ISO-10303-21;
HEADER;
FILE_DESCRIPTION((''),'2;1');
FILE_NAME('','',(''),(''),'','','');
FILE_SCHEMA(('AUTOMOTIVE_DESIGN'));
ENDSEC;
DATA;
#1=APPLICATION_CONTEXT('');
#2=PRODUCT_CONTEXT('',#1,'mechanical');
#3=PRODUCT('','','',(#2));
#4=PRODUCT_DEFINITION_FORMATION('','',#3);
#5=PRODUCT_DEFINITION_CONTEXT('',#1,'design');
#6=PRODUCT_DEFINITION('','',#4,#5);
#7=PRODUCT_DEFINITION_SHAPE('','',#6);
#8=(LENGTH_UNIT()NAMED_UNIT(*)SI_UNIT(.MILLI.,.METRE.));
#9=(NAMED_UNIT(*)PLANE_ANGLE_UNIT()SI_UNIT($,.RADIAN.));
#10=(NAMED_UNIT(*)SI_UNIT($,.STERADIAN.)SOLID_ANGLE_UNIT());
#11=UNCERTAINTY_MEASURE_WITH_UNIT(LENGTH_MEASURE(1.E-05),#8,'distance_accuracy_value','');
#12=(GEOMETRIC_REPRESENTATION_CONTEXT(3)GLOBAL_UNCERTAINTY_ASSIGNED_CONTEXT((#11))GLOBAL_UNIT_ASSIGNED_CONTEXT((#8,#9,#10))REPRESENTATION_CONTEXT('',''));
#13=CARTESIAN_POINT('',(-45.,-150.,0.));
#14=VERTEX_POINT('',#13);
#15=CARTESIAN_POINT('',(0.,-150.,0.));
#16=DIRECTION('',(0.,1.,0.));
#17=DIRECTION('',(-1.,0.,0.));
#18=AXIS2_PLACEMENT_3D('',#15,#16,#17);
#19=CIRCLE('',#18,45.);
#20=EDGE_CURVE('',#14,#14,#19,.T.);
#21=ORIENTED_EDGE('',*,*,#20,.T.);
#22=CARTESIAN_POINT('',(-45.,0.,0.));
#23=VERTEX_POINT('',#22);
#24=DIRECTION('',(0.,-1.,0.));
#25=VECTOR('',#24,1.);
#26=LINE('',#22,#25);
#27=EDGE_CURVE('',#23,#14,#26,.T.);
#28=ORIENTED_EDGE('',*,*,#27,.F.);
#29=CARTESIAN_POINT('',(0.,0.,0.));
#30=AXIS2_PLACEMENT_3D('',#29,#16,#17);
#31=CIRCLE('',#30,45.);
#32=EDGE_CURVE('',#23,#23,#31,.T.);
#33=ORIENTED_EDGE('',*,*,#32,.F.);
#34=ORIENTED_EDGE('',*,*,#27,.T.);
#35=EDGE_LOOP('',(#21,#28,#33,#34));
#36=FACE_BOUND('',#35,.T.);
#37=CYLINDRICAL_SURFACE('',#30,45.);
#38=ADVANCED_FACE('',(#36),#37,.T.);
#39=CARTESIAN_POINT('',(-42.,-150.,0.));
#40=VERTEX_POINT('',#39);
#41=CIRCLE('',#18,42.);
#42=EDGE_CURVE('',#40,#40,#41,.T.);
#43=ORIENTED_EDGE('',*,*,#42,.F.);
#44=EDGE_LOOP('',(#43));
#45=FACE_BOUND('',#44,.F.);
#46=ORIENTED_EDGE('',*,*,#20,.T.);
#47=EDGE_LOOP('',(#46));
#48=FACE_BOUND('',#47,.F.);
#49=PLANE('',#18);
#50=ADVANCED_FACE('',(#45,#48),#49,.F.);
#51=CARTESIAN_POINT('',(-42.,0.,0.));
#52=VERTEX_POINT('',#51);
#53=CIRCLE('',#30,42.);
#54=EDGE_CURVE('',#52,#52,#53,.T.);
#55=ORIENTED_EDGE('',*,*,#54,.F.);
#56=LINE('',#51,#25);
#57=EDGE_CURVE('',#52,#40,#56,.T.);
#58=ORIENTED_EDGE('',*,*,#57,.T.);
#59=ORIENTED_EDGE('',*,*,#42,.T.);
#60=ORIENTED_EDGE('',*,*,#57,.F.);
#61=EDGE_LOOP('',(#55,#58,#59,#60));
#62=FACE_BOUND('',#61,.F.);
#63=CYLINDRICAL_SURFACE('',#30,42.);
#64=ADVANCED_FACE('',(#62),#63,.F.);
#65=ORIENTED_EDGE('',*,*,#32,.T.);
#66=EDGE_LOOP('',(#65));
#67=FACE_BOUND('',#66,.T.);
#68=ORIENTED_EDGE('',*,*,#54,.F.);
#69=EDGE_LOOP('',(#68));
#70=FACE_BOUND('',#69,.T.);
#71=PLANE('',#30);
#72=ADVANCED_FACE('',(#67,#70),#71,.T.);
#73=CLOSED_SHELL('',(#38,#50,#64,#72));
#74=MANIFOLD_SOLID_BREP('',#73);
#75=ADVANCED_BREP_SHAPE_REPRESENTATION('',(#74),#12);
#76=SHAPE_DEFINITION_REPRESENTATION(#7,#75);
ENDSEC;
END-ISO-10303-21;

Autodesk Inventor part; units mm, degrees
ref_plane "YZ Plane" through (0, 0, 0) normal (1, 0, 0) x (0, 1, 0)
ref_plane "XZ Plane" through (0, 0, 0) normal (0, 1, 0) x (-1, 0, 0)
ref_plane "XY Plane" through (0, 0, 0) normal (0, 0, 1) x (1, 0, 0)
sketch "Sketch1" plane through (0, 0, 0) normal (0, 1, 0) x (-1, 0, 0)
  circle A0 centre (0, 0) radius 45
  circle A1 centre (0, 0) radius 42
  dimension "d0" = 90
  dimension "d1" = 3
extrude "Extrusion1" add sketch "Sketch1" against normal blind 150
properties part number "PRS 9614 FDS tube 4_1200"
